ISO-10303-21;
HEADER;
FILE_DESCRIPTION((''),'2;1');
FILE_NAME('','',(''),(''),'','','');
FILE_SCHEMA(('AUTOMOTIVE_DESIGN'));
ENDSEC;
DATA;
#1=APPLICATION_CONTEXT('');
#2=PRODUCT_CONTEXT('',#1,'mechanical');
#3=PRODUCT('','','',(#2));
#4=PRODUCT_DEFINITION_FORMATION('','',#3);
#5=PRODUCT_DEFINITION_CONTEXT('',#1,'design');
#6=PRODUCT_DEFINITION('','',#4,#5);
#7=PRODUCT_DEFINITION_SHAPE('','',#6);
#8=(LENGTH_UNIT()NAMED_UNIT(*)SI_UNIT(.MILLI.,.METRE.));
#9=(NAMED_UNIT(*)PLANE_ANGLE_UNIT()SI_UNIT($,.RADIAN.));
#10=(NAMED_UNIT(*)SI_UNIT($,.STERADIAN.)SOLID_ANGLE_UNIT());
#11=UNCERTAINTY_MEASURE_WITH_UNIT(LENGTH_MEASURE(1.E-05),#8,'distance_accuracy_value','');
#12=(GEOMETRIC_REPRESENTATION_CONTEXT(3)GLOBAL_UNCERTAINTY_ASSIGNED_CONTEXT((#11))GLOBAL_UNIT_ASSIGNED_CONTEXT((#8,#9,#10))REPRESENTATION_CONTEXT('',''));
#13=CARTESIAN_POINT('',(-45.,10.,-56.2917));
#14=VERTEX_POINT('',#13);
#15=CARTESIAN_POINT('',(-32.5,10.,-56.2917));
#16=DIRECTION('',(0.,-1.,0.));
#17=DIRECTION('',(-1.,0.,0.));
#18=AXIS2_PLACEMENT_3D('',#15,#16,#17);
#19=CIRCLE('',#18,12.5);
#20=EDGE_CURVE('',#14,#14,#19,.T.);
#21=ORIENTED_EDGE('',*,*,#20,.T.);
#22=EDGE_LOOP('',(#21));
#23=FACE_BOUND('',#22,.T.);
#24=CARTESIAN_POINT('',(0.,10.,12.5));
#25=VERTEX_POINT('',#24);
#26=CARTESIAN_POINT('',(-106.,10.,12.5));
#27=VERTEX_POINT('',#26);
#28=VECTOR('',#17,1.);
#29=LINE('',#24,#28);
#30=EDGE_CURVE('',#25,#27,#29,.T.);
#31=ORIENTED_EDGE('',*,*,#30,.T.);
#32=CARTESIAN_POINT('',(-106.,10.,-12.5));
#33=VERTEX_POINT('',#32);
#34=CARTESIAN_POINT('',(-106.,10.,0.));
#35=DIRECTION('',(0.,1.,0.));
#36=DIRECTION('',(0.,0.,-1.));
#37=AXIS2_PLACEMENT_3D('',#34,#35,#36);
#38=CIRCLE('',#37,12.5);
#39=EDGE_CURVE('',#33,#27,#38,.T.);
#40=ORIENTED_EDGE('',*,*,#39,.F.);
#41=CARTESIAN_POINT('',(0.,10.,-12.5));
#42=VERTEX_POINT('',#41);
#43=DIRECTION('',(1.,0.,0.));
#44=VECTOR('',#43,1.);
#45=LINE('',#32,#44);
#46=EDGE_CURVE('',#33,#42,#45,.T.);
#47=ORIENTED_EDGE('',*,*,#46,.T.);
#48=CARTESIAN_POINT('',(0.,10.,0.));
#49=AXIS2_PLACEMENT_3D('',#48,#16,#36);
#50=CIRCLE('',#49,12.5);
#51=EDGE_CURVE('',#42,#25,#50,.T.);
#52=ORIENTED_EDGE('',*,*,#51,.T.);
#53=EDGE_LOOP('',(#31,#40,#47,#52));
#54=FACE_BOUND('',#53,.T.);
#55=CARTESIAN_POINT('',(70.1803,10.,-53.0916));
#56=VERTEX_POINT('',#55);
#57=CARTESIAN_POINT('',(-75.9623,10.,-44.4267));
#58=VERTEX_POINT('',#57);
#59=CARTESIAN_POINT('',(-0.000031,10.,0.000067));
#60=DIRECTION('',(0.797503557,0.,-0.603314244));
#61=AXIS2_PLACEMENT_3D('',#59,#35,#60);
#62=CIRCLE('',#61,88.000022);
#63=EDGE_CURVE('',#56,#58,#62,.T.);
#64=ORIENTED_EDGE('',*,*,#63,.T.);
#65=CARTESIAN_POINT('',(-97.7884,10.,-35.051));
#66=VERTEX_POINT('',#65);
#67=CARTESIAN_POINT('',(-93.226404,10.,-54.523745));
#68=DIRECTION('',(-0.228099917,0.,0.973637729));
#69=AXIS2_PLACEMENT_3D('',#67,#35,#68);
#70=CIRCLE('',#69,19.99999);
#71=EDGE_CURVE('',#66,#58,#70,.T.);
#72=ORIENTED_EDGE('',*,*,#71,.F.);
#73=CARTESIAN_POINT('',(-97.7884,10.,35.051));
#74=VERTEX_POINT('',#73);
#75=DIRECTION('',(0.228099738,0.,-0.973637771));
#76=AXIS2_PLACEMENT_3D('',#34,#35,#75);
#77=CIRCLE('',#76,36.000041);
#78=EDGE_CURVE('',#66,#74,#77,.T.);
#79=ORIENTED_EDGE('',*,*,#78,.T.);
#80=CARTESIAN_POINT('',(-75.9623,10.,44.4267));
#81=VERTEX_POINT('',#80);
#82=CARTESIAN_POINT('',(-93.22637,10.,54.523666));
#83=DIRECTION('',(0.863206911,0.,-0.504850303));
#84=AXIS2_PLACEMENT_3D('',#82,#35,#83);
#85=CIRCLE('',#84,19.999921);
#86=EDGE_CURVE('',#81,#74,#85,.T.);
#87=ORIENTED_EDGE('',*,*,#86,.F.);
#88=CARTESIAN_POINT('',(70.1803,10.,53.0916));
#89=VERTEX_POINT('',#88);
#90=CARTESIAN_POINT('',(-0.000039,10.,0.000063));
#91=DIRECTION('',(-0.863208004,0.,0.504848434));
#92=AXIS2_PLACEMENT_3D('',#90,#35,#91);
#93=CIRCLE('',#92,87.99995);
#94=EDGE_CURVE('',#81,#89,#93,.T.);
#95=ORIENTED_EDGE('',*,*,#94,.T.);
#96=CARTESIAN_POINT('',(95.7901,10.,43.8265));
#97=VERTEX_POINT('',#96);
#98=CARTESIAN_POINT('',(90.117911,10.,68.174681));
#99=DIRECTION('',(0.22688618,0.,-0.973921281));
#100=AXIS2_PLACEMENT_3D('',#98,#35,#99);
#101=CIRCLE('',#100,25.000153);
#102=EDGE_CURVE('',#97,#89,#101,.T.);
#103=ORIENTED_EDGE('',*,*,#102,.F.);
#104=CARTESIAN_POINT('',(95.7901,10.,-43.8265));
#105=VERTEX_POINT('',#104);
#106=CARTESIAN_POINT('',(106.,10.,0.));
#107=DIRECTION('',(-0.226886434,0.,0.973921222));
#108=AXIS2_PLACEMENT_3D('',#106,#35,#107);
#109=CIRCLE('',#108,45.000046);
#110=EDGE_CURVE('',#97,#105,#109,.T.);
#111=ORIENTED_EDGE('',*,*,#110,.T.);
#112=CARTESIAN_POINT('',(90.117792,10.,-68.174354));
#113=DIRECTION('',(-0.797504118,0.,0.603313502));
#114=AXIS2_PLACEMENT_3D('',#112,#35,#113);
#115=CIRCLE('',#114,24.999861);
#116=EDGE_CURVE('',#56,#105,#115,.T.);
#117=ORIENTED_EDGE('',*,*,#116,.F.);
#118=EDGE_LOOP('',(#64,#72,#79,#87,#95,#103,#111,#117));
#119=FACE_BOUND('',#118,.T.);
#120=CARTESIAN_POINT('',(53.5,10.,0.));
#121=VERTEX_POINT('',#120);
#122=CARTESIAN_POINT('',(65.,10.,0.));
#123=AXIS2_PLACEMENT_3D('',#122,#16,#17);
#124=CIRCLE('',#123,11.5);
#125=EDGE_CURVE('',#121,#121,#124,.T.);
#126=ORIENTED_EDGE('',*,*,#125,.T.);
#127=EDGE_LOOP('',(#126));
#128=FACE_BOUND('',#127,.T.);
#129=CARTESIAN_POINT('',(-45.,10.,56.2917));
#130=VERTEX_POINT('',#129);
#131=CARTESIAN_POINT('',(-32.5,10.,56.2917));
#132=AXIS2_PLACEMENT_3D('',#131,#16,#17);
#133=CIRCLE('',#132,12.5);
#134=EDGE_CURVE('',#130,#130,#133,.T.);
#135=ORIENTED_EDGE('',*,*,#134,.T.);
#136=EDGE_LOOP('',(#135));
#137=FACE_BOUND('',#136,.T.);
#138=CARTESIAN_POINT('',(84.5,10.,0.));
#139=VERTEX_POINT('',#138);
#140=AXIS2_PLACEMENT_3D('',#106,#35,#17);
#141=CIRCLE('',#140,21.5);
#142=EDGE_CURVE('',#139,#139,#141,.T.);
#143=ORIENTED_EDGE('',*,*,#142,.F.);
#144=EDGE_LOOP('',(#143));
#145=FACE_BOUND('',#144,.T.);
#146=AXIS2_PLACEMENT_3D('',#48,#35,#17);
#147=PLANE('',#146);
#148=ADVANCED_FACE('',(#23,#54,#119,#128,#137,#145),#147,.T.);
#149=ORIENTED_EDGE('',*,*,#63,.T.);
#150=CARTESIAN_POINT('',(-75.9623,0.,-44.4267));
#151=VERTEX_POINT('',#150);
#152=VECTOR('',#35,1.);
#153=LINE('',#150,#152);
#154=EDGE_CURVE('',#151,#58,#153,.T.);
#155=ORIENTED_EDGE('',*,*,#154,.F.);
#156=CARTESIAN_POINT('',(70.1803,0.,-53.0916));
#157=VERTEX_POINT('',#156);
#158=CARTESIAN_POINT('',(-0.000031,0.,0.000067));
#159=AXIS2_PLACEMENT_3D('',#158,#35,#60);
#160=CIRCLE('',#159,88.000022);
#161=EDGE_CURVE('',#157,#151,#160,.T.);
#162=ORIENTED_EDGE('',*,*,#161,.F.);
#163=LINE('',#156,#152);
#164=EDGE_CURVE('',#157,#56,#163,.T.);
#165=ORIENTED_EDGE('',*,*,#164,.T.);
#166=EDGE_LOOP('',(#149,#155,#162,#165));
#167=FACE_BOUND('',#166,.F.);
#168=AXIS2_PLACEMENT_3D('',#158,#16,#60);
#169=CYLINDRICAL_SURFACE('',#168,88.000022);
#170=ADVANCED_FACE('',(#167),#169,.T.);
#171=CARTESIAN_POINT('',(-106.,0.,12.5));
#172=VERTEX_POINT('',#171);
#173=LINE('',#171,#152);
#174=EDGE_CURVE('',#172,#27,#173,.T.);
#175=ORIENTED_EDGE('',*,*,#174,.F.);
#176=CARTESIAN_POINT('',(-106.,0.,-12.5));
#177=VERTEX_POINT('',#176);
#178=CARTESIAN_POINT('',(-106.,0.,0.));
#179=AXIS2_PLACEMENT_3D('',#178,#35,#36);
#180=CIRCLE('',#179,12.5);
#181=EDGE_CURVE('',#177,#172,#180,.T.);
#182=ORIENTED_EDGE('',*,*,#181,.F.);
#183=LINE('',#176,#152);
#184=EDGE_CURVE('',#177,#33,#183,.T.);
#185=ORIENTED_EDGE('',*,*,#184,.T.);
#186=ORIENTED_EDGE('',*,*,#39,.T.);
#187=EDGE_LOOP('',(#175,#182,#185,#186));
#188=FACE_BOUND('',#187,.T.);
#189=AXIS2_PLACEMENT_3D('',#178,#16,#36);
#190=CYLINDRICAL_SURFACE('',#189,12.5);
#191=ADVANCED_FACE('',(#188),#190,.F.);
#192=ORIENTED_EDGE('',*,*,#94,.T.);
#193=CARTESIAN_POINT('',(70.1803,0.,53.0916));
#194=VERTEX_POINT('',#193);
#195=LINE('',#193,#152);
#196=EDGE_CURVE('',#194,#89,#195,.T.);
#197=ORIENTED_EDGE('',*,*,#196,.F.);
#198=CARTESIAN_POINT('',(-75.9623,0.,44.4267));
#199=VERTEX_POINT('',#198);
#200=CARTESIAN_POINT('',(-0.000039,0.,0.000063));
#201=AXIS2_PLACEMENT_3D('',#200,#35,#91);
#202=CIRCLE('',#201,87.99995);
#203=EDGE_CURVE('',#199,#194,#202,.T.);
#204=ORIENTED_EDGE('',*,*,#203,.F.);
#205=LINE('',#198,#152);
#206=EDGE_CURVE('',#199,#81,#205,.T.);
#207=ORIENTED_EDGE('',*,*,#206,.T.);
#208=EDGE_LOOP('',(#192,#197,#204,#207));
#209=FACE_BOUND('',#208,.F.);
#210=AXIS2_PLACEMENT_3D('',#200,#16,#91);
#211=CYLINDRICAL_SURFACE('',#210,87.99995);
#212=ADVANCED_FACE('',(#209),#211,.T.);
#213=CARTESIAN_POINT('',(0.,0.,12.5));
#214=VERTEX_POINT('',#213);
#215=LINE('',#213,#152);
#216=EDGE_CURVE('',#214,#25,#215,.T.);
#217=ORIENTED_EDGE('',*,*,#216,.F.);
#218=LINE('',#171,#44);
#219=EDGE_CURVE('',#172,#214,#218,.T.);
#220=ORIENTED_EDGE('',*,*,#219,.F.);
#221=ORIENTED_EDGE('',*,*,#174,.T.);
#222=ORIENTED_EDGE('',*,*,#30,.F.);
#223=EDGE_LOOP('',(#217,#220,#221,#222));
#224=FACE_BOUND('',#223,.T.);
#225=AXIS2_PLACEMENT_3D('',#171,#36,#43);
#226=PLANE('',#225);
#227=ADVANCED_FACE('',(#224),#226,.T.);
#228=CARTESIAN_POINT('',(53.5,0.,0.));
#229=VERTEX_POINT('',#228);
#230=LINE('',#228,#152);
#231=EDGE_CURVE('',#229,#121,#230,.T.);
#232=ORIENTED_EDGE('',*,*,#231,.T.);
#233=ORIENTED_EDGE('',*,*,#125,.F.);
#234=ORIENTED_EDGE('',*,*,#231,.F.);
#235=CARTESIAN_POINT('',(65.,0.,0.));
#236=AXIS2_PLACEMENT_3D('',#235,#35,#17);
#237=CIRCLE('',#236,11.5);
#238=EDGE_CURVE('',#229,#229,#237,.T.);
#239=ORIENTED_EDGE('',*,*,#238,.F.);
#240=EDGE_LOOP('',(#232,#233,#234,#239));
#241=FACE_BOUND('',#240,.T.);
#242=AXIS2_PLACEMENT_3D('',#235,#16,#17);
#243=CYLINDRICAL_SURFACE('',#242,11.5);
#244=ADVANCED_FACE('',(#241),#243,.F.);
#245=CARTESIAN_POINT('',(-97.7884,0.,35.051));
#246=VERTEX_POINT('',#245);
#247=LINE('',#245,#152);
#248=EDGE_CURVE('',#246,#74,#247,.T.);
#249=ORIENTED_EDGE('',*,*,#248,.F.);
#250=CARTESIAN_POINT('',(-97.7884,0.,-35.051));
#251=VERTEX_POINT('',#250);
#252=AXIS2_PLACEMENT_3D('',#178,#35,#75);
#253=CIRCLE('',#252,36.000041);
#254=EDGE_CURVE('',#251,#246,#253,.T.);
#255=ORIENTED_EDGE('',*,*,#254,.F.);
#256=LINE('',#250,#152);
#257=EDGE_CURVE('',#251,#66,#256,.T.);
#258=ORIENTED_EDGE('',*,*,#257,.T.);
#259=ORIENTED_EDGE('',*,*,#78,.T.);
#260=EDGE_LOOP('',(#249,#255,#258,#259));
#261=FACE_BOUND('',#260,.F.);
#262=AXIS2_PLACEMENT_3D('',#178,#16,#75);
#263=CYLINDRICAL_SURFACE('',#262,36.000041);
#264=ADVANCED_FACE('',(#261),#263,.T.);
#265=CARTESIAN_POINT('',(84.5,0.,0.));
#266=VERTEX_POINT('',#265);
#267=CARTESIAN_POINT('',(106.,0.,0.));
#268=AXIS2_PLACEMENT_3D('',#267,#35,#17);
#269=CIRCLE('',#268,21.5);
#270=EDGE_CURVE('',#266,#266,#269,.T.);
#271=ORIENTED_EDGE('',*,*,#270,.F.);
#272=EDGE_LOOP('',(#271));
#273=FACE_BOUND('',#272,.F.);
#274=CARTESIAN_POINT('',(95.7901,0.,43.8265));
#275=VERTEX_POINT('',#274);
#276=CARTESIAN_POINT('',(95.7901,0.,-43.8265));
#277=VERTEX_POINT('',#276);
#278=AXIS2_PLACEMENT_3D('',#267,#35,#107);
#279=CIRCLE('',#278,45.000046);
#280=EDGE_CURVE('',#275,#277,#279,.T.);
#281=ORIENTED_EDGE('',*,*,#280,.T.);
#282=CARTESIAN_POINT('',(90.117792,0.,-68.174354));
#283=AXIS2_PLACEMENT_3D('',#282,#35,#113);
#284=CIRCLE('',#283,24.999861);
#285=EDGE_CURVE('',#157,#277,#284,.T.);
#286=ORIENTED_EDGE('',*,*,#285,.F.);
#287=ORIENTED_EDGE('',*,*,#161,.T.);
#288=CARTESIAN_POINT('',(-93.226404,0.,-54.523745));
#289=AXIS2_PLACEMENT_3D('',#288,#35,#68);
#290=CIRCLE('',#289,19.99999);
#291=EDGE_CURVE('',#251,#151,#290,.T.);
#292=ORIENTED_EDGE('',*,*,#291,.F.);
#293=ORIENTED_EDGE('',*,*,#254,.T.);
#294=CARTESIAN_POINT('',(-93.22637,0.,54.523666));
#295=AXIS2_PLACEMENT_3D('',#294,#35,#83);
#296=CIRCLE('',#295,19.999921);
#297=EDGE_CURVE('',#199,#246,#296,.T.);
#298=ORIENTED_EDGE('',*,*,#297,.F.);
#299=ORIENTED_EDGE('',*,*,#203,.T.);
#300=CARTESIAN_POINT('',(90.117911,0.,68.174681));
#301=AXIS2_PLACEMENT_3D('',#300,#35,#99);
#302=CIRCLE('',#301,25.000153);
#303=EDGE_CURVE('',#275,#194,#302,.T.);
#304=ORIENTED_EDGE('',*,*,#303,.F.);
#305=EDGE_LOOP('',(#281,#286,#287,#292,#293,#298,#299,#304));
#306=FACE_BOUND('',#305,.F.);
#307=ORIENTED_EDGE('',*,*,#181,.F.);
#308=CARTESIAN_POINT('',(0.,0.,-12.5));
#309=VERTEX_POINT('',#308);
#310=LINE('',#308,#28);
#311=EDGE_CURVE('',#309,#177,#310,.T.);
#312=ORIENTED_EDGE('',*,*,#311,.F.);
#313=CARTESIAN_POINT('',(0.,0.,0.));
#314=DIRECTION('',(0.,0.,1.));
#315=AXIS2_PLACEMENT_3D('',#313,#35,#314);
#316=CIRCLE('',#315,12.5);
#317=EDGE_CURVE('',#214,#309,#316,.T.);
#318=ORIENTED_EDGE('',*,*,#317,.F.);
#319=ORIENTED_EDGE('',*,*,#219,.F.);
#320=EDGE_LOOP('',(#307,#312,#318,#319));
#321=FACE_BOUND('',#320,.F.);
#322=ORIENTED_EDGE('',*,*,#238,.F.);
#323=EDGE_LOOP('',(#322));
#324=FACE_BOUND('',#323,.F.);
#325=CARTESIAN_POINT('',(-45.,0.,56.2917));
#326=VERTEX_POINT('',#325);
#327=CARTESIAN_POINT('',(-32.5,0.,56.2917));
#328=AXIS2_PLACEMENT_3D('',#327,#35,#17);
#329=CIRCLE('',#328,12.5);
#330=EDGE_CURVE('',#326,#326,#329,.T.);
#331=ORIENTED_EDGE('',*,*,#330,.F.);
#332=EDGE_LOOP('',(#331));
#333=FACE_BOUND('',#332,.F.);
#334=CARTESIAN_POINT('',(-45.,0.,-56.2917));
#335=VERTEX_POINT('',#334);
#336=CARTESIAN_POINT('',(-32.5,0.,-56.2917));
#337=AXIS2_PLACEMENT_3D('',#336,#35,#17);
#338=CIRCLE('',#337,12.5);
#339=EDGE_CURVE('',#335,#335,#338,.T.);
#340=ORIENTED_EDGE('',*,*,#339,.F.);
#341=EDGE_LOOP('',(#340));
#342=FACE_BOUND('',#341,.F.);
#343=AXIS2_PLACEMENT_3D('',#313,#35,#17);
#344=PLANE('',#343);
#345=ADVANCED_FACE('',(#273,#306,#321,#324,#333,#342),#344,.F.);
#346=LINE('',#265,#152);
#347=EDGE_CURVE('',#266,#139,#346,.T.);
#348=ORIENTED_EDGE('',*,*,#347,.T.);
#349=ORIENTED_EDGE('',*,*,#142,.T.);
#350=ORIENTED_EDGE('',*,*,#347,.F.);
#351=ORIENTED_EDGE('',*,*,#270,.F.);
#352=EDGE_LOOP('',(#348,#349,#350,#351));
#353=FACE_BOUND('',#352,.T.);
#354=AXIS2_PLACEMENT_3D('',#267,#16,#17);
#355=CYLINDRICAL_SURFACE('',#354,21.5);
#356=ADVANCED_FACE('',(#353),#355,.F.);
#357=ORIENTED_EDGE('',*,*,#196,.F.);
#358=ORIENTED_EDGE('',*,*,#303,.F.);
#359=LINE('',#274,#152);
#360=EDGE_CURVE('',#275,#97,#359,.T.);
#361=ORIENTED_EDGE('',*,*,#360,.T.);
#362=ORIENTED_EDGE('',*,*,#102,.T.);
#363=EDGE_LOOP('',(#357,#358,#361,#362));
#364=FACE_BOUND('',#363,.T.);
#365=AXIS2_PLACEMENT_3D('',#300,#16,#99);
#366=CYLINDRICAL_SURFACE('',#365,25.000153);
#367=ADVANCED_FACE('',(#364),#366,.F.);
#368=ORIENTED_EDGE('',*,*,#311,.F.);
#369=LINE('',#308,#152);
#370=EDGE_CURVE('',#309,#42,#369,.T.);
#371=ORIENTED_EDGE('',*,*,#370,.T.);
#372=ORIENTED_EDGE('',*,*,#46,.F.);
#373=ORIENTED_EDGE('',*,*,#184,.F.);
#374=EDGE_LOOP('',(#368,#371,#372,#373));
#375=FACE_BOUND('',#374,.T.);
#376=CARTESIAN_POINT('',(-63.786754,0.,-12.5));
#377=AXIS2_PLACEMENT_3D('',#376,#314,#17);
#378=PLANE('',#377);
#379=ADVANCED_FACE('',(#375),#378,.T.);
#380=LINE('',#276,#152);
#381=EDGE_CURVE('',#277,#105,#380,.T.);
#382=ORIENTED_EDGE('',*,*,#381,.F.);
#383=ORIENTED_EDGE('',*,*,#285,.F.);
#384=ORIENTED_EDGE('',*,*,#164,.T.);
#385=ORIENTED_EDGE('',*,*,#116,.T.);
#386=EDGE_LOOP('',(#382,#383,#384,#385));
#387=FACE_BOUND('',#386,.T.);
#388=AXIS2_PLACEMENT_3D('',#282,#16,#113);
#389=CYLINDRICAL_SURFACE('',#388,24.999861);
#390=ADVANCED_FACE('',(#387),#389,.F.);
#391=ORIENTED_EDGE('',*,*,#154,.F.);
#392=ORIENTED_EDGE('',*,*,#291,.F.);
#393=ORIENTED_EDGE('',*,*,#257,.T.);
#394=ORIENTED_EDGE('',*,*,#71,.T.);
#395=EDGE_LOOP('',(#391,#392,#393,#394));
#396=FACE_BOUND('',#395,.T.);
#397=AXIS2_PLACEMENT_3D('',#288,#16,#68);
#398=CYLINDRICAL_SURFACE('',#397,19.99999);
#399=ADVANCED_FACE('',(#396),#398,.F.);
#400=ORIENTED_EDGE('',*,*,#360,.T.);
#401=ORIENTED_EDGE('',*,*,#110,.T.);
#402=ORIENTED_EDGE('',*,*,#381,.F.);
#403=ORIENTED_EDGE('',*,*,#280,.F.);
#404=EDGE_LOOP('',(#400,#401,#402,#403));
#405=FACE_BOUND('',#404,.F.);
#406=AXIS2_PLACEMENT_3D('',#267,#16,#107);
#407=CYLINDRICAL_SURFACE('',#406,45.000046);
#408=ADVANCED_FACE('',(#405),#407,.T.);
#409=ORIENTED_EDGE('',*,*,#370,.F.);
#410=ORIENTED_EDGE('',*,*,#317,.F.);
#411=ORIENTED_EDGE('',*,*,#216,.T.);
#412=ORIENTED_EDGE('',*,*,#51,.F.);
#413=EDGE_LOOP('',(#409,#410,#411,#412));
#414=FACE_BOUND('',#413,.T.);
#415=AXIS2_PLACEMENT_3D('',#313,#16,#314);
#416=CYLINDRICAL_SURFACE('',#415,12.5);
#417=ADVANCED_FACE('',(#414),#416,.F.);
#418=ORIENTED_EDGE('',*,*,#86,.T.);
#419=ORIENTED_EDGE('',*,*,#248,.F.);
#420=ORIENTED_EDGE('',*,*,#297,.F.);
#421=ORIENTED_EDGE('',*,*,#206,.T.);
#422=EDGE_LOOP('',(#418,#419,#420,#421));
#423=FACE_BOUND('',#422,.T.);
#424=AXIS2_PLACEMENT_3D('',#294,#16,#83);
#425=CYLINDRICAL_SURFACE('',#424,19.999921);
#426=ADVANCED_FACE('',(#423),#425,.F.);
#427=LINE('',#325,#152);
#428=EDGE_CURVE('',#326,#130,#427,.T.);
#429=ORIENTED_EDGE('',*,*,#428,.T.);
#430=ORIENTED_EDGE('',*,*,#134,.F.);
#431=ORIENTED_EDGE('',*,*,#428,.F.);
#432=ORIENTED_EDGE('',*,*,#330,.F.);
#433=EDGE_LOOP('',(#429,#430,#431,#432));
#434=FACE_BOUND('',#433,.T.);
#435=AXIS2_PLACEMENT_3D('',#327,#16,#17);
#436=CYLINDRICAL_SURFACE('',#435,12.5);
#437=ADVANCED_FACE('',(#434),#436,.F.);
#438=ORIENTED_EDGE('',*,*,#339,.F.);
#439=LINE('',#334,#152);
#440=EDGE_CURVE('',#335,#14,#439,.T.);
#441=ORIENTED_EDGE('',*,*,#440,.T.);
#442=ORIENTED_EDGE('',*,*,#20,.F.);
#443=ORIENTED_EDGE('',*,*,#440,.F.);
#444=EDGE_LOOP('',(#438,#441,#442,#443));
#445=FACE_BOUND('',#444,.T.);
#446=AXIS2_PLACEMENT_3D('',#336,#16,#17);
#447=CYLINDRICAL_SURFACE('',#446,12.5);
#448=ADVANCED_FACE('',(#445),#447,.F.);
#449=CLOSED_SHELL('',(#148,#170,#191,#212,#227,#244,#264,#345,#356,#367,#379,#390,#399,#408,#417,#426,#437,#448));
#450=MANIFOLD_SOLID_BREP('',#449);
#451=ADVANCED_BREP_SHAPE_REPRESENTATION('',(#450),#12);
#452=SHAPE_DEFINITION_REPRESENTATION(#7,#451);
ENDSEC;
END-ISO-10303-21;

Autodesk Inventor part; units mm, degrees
ref_plane "YZ Plane" through (0, 0, 0) normal (1, 0, 0) x (0, 1, 0)
ref_plane "XZ Plane" through (0, 0, 0) normal (0, 1, 0) x (-1, 0, 0)
ref_plane "XY Plane" through (0, 0, 0) normal (0, 0, 1) x (1, 0, 0)
sketch "Sketch1" plane through (0, 0, 0) normal (0, 1, 0) x (-1, 0, 0)
  arc A0 (97.7884, -35.051) -> (97.7884, 35.051) centre (106, 0) ccw
  arc A1 (75.9623, 44.4267) -> (97.7884, 35.051) centre (93.2264, 54.5237) ccw
  arc A2 (97.7884, -35.051) -> (75.9623, -44.4267) centre (93.2264, -54.5237) ccw
  arc A3 (-95.7901, 43.8265) -> (-95.7901, -43.8265) centre (-106, 0) ccw
  arc A4 (-95.7901, 43.8265) -> (-70.1803, 53.0916) centre (-90.1179, 68.1745) ccw
  arc A5 (-70.1803, -53.0916) -> (-95.7901, -43.8265) centre (-90.1179, -68.1745) ccw
  arc A6 (75.9623, 44.4267) -> (-70.1803, 53.0916) centre (0, 0) ccw
  arc A7 (-70.1803, -53.0916) -> (75.9623, -44.4267) centre (0, 0) ccw
  circle A8 centre (0, 0) radius 65
  circle A9 centre (-65, 0) radius 11.5
  circle A10 centre (-106, 0) radius 21.5
  arc A11 (0, 12.5) -> (0, -12.5) centre (0, 0) ccw
  arc A12 (106, -12.5) -> (106, 12.5) centre (106, 0) ccw
  line L0 (106, 12.5) -> (0, 12.5)
  line L1 (0, -12.5) -> (106, -12.5)
  line L2 (0, 0) -> (32.5, -56.2917)
  line L3 (-12.5, 0) -> (-53.5, 0)
  line L4 (0, 0) -> (23.2902, 40.3398)
  line L5 (23.2902, 40.3398) -> (32.5, 56.2917)
  circle A13 centre (32.5, 56.2917) radius 12.5
  circle A14 centre (32.5, -56.2917) radius 12.5
  dimension "d13" = 23
  dimension "d1" = 72
  dimension "d2" = 106
  dimension "d3" = 40
  dimension "d4" = 0
  dimension "d5" = 40
  dimension "d7" = 90
  dimension "d8" = 212
  dimension "d9" = 50
  dimension "d10" = 50
  dimension "d11" = 0
  dimension "d12" = 130
  dimension "d14" = 43
  dimension "d15" = 25
  dimension "d16" = 25
  dimension "d18" = 120
  dimension "d19" = 120
  dimension "d20" = 25
  dimension "d21" = 25
extrude "Extrusion1" add sketch "Sketch1" along normal blind 10 contours A2 A7 A5 A3 A4 A6 A1 A0 | L0 L4 L5 A13 A8 | A8 A14 L2 L1 | L0 A11 L3 A9 A8 A13 L5 L4 | L2 A14 A8 A9 L3 A11 L1
equation "\"d5\" = d3"
equation "\"d10\" = d9"
